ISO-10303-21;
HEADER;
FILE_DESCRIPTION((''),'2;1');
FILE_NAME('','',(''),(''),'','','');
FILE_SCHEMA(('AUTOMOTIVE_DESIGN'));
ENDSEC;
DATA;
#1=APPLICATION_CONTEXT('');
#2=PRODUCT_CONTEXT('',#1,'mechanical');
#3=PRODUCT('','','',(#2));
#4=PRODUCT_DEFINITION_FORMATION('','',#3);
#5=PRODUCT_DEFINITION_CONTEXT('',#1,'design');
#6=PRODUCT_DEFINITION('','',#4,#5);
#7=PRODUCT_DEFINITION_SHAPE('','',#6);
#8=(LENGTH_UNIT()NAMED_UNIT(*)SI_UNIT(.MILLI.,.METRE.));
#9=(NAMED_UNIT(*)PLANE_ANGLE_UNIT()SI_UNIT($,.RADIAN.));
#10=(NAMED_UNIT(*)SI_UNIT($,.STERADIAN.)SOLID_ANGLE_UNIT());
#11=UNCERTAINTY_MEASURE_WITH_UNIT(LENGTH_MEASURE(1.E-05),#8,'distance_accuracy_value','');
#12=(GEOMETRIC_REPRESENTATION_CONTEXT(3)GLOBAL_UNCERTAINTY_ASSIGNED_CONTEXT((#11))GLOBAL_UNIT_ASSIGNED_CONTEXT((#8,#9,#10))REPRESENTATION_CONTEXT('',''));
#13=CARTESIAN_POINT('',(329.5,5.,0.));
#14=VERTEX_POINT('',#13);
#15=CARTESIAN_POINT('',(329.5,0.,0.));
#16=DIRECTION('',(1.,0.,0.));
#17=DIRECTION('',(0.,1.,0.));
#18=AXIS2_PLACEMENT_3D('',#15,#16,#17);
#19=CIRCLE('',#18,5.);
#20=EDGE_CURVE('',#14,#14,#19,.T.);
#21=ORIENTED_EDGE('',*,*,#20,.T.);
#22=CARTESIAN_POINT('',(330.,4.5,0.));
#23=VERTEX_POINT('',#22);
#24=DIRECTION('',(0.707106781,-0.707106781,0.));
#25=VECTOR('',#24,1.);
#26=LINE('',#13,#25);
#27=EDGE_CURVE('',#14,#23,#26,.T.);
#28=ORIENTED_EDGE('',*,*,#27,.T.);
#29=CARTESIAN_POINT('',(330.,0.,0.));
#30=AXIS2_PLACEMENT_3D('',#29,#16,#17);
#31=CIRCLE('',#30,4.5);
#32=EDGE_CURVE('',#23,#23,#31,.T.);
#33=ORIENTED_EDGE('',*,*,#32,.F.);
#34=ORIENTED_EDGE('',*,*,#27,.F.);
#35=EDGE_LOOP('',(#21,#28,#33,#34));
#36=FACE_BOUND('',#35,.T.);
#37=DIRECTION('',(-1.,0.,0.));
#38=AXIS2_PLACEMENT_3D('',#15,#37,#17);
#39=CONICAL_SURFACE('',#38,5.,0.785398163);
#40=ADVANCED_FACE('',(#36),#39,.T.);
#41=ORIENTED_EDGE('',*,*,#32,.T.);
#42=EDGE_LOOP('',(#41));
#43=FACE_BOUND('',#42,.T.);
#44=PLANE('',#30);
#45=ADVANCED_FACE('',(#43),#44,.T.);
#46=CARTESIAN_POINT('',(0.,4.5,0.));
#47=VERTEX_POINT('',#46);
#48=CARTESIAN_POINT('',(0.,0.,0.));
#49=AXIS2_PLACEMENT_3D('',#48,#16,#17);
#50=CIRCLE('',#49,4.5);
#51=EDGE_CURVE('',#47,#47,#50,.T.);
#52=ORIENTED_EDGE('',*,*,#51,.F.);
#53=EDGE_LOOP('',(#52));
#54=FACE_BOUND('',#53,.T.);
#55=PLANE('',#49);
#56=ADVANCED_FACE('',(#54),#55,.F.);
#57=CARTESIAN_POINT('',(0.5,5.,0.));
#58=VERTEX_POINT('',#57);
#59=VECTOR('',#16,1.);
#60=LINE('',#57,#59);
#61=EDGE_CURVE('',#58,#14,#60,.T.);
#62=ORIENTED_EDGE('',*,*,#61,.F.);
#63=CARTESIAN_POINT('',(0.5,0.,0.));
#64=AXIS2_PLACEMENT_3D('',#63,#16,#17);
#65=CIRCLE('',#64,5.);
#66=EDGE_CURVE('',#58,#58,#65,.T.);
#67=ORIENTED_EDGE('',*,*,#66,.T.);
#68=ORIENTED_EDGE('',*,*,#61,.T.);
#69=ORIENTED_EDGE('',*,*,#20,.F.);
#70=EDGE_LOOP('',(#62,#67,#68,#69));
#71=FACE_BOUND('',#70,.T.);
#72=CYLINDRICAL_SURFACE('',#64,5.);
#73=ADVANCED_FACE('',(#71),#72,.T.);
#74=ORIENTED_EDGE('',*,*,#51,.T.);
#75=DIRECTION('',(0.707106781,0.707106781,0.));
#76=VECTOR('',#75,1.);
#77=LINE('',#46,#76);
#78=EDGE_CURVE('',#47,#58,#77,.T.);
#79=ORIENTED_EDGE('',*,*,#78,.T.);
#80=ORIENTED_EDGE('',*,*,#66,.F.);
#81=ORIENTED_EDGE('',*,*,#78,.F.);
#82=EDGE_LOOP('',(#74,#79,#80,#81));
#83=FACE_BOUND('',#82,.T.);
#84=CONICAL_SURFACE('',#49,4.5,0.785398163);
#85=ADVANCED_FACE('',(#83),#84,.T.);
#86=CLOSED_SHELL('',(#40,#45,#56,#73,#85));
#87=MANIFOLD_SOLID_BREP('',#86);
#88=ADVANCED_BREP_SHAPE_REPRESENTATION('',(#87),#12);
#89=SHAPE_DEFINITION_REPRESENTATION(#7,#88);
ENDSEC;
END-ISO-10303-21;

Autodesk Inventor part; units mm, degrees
sketch "Sketch_1" plane through (0, 0, 0) normal (0, 0, 1) x (1, 0, 0)
  line L0 (330, 0) -> (0, 0)
  line L1 (0, 0) -> (0, 4.5)
  line L2 (0, 4.5) -> (0.5, 5)
  line L3 (0.5, 5) -> (329.5, 5)
  line L4 (329.5, 5) -> (330, 4.5)
  line L5 (330, 4.5) -> (330, 0)
  line L6 (330, 0) -> (0, 0)
revolve "Revolution1" add sketch "Sketch_1" angle 360 about axis through (330, 0, 0) along (1, 0, 0)
ref_plane "COMBINATION_MODULE_XY" through (0, 0, 0) normal (1, 0, 0) x (0, 0, -1)
ref_plane "COMBINATION_MODULE_YZ" through (0, 0, 0) normal (0, 0, -1) x (0, 1, 0)
ref_plane "COMBINATION_MODULE_ZX" through (0, 0, 0) normal (0, 1, 0) x (1, 0, 0)
properties part number "SSFR10-330_s"
